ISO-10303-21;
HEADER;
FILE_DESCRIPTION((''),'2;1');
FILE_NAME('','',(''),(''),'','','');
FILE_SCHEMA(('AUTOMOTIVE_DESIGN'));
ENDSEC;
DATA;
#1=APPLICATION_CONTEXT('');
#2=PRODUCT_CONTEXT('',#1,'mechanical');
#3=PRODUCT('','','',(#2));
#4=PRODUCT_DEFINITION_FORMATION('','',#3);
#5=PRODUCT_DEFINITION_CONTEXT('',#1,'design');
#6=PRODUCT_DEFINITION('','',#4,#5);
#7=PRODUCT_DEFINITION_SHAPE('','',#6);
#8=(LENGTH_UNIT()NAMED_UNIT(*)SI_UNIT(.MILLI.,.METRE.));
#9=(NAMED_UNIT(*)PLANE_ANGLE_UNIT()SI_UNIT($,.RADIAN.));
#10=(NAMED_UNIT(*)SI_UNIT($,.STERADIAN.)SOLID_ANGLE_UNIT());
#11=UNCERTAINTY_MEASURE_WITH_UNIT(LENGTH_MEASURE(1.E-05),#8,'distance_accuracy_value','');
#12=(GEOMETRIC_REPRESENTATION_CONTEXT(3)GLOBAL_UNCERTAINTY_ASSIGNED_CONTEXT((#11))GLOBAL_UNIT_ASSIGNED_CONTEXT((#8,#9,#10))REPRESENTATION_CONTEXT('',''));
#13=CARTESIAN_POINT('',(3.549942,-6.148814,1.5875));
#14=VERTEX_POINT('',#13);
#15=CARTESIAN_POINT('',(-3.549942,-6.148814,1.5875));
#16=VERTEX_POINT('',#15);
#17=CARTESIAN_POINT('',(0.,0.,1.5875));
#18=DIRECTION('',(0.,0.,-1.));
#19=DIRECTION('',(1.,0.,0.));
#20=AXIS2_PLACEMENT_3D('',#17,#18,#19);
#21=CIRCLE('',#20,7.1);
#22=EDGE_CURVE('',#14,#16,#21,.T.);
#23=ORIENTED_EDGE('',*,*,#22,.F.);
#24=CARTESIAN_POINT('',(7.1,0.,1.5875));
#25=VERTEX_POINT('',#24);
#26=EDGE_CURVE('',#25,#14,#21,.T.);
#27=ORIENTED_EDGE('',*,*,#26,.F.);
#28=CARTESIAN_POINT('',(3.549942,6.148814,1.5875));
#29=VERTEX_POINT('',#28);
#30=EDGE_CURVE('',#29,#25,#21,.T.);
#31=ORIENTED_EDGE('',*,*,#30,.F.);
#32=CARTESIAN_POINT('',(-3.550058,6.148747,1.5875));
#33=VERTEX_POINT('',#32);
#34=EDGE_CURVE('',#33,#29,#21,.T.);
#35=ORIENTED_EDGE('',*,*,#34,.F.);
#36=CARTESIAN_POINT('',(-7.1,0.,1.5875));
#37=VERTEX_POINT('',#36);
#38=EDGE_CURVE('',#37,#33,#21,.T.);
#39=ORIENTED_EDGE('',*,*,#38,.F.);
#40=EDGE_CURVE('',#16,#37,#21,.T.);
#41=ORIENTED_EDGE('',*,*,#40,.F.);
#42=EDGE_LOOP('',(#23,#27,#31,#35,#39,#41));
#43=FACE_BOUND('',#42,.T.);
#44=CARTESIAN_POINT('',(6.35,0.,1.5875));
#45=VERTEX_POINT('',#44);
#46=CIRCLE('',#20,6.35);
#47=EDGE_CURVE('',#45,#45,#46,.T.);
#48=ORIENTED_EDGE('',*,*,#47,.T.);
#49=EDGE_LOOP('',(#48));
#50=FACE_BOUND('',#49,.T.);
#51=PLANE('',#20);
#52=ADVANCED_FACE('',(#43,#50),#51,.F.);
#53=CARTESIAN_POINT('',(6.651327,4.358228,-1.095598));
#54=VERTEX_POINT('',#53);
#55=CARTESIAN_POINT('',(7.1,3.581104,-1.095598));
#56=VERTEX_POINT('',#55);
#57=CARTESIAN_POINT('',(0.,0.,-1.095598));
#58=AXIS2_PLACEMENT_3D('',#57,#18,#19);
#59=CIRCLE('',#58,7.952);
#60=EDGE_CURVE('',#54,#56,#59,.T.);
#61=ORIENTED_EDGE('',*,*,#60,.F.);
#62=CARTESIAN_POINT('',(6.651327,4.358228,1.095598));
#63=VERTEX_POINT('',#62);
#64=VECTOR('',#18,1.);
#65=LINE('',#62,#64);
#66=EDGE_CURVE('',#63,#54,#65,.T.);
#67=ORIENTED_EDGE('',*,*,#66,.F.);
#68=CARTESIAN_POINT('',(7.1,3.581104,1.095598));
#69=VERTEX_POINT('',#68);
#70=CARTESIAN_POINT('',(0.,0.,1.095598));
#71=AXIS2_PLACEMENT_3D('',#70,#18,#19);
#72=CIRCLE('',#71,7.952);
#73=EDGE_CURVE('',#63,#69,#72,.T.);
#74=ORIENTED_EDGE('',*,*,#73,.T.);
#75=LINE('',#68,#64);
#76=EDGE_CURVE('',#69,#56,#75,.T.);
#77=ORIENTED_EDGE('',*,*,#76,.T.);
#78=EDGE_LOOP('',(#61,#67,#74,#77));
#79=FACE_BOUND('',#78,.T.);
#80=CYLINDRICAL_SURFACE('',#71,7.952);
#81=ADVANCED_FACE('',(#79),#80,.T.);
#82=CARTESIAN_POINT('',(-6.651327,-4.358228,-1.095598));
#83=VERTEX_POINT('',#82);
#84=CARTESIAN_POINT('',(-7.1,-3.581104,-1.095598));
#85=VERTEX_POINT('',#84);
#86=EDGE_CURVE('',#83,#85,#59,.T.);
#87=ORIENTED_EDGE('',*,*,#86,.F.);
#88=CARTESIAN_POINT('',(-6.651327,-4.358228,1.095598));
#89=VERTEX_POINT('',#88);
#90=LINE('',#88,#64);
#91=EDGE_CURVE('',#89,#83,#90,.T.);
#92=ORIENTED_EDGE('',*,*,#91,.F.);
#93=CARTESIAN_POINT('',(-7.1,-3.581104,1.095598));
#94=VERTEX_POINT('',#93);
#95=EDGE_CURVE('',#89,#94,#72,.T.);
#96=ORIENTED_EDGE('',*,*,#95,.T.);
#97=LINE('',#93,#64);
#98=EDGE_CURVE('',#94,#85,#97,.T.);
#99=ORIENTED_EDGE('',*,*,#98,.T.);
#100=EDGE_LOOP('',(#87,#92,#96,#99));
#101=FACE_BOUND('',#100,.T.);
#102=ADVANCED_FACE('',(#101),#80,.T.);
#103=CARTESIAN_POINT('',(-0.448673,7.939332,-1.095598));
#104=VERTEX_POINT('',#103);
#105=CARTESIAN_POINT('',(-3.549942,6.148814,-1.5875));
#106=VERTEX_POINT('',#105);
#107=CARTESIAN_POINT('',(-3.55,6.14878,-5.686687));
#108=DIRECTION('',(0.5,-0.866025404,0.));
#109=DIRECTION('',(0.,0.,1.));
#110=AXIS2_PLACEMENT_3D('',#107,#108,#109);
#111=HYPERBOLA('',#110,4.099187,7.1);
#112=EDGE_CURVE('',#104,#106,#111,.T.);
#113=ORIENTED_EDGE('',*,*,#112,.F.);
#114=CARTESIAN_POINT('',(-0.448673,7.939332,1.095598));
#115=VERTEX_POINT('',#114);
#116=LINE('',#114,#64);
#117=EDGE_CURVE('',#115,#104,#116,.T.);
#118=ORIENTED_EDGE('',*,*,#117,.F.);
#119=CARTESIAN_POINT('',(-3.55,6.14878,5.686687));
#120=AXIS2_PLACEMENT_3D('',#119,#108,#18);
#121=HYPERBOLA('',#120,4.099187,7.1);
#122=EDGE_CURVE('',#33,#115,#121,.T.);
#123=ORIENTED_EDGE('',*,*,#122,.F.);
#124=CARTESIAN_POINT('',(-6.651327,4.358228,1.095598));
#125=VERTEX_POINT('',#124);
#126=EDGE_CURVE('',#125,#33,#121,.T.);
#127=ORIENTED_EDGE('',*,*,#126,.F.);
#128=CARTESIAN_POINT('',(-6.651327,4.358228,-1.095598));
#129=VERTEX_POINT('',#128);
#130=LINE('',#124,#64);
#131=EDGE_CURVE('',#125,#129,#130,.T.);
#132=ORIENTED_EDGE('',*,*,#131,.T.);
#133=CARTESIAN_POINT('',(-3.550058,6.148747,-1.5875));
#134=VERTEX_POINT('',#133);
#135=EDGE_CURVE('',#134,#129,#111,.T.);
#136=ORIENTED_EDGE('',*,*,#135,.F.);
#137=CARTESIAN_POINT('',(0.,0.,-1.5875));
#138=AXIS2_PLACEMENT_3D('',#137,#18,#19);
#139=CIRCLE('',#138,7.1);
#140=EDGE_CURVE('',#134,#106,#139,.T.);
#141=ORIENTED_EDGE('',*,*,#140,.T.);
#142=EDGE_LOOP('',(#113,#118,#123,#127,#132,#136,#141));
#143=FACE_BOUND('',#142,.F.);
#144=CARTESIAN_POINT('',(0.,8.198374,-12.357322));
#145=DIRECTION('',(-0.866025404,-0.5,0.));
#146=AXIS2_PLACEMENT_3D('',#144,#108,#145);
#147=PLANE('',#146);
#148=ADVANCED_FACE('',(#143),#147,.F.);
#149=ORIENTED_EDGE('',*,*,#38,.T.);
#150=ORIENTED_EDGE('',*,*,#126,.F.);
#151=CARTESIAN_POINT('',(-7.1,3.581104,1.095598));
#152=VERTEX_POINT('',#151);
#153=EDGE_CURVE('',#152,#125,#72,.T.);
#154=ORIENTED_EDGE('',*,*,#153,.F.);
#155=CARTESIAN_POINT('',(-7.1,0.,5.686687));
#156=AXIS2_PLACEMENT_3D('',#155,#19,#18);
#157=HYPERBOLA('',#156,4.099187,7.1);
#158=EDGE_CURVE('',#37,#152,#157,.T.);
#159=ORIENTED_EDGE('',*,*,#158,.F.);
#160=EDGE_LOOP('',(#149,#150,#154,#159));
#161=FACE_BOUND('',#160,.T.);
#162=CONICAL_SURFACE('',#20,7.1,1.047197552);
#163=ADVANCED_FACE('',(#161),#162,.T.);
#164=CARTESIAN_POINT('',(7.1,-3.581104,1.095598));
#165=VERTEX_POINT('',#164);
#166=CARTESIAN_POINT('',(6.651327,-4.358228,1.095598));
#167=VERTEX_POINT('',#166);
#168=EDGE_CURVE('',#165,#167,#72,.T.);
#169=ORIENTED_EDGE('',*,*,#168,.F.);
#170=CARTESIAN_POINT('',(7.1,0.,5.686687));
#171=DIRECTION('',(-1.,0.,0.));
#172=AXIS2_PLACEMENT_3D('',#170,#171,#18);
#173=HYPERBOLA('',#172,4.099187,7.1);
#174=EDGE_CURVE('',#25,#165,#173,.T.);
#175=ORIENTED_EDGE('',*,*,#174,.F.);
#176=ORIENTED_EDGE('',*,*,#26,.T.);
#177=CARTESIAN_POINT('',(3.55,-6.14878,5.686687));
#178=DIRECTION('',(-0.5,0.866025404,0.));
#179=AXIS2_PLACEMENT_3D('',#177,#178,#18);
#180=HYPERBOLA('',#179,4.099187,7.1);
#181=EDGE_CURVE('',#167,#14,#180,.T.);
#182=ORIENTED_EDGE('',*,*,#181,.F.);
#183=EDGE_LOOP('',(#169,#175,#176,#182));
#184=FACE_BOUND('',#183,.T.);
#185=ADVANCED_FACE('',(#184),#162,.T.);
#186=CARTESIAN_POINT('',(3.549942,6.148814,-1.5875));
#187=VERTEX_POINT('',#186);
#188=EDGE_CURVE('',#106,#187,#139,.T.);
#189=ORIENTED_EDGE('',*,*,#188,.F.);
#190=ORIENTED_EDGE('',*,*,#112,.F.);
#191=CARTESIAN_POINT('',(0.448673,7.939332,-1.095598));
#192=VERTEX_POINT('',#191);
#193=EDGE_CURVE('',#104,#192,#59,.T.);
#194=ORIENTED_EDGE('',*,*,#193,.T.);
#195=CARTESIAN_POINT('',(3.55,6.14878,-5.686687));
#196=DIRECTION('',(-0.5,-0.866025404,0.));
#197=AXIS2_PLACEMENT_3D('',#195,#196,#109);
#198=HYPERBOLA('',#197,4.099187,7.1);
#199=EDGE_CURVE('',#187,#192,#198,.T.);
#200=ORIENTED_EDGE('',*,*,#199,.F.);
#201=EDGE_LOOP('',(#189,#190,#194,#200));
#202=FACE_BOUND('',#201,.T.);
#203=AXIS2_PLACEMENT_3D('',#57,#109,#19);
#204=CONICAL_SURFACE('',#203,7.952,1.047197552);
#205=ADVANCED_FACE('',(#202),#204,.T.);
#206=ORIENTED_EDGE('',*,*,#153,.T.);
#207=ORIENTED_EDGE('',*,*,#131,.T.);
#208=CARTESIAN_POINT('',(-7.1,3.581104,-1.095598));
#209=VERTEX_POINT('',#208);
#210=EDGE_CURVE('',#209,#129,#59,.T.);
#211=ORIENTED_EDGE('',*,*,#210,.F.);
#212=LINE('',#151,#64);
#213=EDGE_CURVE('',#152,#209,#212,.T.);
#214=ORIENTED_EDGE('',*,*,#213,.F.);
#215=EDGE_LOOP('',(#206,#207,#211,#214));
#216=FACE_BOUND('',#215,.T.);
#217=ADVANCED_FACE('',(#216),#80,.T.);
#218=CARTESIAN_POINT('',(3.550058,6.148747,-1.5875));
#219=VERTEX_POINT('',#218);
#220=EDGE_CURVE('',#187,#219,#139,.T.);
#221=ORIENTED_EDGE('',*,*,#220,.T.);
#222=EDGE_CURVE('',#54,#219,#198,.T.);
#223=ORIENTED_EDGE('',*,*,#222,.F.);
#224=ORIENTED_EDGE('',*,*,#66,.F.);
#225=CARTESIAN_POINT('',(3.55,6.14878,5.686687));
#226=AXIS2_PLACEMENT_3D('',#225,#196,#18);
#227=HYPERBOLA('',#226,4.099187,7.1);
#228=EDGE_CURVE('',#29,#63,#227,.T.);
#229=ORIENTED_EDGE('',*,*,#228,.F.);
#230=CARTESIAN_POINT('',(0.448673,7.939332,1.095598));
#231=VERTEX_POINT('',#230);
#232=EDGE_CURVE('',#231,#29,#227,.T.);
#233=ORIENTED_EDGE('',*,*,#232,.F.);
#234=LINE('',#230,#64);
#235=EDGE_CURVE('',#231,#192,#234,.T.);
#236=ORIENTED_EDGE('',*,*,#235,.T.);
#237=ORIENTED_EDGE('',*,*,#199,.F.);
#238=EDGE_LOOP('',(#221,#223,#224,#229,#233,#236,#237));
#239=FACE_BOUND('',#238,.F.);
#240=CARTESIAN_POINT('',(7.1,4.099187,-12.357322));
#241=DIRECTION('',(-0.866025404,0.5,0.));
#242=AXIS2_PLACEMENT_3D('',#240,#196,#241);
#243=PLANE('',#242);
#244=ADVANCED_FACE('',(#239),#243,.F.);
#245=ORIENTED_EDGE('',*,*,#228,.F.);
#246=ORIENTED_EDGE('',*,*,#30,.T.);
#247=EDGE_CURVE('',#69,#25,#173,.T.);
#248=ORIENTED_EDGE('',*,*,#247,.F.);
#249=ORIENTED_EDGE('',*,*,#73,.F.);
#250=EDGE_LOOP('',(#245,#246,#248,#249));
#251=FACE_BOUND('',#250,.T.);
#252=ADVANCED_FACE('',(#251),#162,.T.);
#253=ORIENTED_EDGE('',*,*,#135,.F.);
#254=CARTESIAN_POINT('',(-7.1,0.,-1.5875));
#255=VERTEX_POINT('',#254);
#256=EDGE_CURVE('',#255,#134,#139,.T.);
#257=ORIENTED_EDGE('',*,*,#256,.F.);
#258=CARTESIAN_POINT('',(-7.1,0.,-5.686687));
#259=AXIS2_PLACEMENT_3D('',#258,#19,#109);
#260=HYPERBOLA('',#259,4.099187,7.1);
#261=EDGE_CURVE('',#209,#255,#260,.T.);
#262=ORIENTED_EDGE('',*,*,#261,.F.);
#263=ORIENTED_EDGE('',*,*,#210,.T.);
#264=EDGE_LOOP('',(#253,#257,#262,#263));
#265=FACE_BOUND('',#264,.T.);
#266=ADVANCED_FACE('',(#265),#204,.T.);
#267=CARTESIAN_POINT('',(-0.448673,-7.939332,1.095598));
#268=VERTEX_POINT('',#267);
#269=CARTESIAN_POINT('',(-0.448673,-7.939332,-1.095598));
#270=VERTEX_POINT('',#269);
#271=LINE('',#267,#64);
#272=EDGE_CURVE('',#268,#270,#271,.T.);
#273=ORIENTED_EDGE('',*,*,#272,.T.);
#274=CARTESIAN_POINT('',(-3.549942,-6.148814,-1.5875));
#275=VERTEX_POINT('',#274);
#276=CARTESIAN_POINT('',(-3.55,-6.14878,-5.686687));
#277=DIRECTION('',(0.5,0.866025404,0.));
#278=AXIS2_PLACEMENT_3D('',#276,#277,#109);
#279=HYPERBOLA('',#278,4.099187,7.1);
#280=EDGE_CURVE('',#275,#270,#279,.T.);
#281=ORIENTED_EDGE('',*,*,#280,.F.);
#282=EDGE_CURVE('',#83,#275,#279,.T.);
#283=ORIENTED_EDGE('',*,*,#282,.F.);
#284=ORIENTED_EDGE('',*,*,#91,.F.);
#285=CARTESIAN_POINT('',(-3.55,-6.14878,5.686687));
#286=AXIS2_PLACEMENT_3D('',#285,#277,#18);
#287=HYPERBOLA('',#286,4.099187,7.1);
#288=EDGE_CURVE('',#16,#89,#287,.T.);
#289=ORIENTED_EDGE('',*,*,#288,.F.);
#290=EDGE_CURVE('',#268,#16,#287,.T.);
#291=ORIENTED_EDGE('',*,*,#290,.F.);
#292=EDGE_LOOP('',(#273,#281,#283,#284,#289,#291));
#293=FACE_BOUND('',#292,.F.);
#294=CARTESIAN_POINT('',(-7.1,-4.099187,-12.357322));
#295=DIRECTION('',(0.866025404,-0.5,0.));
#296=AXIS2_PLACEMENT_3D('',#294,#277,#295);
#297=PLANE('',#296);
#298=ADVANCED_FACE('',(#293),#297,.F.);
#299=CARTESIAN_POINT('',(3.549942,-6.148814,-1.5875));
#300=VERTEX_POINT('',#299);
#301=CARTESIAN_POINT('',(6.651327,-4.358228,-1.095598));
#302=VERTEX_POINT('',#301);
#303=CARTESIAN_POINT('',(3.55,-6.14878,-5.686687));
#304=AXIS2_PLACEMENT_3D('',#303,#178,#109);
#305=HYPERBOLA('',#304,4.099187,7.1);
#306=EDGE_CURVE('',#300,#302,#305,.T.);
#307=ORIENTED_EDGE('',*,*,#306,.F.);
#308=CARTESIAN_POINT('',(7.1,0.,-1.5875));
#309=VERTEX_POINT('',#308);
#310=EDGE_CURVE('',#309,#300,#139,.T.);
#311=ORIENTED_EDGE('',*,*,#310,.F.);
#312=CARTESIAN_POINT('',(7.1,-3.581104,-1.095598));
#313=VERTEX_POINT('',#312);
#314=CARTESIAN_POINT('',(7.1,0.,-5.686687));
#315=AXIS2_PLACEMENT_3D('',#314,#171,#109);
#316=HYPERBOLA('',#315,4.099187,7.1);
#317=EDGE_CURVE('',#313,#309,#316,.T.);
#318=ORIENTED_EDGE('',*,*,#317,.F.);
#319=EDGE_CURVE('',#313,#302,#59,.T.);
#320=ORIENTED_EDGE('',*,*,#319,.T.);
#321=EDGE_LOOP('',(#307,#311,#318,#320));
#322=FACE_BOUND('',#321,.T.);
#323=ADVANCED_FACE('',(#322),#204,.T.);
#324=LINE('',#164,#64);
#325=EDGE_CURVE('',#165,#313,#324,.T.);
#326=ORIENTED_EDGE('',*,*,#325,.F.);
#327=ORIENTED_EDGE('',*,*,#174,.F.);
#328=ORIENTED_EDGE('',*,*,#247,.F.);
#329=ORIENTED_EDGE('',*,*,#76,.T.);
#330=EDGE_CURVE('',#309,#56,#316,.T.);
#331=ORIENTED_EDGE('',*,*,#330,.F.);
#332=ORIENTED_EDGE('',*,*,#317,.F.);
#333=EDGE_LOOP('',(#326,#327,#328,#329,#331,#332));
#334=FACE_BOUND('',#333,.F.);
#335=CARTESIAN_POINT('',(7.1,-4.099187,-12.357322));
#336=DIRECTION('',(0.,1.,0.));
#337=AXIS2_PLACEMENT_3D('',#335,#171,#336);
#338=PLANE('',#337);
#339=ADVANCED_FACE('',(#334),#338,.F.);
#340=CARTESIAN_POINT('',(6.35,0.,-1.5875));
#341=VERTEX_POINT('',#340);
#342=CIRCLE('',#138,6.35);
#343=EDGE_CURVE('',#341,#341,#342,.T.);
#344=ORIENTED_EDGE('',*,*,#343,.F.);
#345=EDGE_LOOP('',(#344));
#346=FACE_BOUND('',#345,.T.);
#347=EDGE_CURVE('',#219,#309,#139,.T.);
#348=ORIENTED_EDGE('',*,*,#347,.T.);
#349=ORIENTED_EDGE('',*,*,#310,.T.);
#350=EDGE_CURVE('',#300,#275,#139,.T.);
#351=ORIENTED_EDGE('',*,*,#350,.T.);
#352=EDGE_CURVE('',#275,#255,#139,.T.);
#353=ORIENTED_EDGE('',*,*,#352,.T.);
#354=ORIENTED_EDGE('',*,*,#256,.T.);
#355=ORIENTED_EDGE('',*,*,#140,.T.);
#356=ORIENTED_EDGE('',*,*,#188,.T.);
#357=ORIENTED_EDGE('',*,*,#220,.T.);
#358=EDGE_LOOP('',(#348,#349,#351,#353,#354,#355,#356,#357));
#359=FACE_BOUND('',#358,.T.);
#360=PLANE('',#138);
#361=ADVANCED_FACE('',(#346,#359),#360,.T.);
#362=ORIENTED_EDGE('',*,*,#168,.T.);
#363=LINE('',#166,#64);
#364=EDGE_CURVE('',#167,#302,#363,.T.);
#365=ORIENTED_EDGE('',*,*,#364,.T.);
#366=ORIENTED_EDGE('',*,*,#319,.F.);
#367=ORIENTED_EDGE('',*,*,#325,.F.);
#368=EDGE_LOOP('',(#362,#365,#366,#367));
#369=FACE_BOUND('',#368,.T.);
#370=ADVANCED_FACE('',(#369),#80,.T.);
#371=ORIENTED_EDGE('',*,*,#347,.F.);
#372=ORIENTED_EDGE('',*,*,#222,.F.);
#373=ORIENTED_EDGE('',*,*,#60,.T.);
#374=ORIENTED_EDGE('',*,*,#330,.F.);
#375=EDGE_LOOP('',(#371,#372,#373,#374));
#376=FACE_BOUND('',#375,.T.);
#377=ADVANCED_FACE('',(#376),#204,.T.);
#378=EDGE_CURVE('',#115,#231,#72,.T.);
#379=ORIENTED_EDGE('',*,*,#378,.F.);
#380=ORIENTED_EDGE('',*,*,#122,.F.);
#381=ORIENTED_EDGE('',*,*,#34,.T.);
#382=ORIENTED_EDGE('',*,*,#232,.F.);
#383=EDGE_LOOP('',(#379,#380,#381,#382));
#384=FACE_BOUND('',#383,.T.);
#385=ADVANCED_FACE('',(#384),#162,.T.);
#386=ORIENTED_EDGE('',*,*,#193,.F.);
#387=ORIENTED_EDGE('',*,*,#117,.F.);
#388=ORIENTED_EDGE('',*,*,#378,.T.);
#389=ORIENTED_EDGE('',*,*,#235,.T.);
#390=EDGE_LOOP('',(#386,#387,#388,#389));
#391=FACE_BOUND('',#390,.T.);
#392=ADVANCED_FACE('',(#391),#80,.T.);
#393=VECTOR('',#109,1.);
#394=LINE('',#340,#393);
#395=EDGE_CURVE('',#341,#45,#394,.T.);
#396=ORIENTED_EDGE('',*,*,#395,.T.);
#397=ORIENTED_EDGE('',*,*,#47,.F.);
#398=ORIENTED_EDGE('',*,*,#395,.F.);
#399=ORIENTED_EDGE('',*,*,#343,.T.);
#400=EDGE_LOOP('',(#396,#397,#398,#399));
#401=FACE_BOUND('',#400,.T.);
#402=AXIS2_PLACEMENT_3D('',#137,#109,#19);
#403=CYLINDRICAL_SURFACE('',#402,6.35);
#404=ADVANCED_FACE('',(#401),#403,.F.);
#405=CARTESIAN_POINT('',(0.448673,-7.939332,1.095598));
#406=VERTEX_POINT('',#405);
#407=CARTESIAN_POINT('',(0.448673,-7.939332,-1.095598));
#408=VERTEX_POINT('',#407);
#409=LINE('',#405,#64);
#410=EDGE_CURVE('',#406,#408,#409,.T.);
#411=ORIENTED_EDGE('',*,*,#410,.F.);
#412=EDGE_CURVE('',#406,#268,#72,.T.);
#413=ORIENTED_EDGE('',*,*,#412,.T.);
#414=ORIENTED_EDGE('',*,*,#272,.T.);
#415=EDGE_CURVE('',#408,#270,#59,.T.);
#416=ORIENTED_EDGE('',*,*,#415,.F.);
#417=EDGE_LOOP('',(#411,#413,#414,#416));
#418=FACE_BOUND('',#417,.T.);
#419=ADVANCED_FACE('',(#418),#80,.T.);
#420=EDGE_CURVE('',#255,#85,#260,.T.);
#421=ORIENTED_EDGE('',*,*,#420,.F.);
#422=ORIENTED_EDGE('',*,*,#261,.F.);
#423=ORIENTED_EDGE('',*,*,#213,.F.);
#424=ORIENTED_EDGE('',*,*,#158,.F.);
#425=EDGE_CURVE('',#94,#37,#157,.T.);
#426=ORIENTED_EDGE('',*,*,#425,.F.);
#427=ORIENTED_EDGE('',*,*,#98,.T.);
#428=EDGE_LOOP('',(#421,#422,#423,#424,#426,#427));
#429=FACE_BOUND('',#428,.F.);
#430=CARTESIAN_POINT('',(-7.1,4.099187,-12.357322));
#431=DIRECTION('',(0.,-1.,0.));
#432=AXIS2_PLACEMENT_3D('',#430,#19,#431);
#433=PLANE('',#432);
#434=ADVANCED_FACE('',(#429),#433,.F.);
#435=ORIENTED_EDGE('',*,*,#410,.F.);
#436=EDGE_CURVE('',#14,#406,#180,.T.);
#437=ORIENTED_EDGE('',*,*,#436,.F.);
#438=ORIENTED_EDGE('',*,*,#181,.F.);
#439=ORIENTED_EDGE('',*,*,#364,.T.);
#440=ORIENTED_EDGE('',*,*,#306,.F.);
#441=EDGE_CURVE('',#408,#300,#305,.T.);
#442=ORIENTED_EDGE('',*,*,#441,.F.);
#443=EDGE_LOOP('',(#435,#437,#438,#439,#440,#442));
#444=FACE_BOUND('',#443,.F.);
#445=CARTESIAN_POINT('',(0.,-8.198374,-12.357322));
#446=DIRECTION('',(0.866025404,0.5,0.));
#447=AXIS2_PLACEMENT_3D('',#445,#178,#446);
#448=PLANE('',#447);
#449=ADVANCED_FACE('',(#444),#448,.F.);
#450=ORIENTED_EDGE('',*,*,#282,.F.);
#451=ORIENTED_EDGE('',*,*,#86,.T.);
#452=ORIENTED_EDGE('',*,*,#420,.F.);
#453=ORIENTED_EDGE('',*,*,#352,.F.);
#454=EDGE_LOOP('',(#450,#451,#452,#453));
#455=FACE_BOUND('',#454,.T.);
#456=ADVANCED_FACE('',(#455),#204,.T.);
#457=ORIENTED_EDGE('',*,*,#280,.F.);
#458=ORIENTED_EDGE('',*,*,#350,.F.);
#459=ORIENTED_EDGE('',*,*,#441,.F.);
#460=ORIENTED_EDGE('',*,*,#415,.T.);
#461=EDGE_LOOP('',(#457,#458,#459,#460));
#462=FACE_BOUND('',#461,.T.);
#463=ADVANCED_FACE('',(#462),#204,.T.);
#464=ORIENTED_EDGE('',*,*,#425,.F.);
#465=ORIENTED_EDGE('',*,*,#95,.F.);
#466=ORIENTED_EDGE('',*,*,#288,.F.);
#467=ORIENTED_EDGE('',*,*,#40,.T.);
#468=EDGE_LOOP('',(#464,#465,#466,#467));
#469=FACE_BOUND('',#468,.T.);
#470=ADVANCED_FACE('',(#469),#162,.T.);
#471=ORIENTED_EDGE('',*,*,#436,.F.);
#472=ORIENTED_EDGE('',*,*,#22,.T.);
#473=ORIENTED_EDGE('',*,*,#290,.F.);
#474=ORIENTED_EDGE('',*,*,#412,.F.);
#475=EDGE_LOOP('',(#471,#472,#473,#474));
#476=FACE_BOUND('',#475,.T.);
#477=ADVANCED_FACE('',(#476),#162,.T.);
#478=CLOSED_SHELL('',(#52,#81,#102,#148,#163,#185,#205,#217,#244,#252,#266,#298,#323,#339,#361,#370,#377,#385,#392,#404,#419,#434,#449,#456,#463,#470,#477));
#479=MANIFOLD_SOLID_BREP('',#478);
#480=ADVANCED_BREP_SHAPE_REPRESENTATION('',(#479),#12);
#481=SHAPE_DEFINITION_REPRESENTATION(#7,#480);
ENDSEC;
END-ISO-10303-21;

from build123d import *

# Parameters (mm, degrees)
CUT_EXTRUDE1_DEPTH      = 12.357322055
CUT_EXTRUDE1_DEPTH_BACK = 12.357322055
SKETCH4_OUTSIDE_W       = 22.446
SKETCH4_OUTSIDE_H       = 22.446


with BuildPart() as part:
    # Sketch3 → Revolve1 (revolve)
    with BuildSketch(Plane(origin=(0, 0, 0), x_dir=(0, 0, -1), z_dir=(1, 0, 0))):
        Polygon((-1.5875, 7.1), (-1.095597571, 7.952), (1.095597571, 7.952), (1.5875, 7.1), (1.5875, 6.35), (-1.5875, 6.35), align=None)
    revolve(axis=Axis((0, 0, 1.5875), (0, 0, -1)))

    # Sketch4 outside → Cut-Extrude1 (cut, two sides: drawn at the far end of the back side and taken through both)
    with BuildSketch(Plane.XY.offset(-CUT_EXTRUDE1_DEPTH_BACK)):
        Rectangle(SKETCH4_OUTSIDE_W, SKETCH4_OUTSIDE_H)
        Polygon((0, 8.198373822), (-7.1, 4.099186911), (-7.1, -4.099186911), (0, -8.198373822), (7.1, -4.099186911), (7.1, 4.099186911), align=None, mode=Mode.SUBTRACT)
    extrude(amount=CUT_EXTRUDE1_DEPTH + CUT_EXTRUDE1_DEPTH_BACK, mode=Mode.SUBTRACT)


solid = part.part
